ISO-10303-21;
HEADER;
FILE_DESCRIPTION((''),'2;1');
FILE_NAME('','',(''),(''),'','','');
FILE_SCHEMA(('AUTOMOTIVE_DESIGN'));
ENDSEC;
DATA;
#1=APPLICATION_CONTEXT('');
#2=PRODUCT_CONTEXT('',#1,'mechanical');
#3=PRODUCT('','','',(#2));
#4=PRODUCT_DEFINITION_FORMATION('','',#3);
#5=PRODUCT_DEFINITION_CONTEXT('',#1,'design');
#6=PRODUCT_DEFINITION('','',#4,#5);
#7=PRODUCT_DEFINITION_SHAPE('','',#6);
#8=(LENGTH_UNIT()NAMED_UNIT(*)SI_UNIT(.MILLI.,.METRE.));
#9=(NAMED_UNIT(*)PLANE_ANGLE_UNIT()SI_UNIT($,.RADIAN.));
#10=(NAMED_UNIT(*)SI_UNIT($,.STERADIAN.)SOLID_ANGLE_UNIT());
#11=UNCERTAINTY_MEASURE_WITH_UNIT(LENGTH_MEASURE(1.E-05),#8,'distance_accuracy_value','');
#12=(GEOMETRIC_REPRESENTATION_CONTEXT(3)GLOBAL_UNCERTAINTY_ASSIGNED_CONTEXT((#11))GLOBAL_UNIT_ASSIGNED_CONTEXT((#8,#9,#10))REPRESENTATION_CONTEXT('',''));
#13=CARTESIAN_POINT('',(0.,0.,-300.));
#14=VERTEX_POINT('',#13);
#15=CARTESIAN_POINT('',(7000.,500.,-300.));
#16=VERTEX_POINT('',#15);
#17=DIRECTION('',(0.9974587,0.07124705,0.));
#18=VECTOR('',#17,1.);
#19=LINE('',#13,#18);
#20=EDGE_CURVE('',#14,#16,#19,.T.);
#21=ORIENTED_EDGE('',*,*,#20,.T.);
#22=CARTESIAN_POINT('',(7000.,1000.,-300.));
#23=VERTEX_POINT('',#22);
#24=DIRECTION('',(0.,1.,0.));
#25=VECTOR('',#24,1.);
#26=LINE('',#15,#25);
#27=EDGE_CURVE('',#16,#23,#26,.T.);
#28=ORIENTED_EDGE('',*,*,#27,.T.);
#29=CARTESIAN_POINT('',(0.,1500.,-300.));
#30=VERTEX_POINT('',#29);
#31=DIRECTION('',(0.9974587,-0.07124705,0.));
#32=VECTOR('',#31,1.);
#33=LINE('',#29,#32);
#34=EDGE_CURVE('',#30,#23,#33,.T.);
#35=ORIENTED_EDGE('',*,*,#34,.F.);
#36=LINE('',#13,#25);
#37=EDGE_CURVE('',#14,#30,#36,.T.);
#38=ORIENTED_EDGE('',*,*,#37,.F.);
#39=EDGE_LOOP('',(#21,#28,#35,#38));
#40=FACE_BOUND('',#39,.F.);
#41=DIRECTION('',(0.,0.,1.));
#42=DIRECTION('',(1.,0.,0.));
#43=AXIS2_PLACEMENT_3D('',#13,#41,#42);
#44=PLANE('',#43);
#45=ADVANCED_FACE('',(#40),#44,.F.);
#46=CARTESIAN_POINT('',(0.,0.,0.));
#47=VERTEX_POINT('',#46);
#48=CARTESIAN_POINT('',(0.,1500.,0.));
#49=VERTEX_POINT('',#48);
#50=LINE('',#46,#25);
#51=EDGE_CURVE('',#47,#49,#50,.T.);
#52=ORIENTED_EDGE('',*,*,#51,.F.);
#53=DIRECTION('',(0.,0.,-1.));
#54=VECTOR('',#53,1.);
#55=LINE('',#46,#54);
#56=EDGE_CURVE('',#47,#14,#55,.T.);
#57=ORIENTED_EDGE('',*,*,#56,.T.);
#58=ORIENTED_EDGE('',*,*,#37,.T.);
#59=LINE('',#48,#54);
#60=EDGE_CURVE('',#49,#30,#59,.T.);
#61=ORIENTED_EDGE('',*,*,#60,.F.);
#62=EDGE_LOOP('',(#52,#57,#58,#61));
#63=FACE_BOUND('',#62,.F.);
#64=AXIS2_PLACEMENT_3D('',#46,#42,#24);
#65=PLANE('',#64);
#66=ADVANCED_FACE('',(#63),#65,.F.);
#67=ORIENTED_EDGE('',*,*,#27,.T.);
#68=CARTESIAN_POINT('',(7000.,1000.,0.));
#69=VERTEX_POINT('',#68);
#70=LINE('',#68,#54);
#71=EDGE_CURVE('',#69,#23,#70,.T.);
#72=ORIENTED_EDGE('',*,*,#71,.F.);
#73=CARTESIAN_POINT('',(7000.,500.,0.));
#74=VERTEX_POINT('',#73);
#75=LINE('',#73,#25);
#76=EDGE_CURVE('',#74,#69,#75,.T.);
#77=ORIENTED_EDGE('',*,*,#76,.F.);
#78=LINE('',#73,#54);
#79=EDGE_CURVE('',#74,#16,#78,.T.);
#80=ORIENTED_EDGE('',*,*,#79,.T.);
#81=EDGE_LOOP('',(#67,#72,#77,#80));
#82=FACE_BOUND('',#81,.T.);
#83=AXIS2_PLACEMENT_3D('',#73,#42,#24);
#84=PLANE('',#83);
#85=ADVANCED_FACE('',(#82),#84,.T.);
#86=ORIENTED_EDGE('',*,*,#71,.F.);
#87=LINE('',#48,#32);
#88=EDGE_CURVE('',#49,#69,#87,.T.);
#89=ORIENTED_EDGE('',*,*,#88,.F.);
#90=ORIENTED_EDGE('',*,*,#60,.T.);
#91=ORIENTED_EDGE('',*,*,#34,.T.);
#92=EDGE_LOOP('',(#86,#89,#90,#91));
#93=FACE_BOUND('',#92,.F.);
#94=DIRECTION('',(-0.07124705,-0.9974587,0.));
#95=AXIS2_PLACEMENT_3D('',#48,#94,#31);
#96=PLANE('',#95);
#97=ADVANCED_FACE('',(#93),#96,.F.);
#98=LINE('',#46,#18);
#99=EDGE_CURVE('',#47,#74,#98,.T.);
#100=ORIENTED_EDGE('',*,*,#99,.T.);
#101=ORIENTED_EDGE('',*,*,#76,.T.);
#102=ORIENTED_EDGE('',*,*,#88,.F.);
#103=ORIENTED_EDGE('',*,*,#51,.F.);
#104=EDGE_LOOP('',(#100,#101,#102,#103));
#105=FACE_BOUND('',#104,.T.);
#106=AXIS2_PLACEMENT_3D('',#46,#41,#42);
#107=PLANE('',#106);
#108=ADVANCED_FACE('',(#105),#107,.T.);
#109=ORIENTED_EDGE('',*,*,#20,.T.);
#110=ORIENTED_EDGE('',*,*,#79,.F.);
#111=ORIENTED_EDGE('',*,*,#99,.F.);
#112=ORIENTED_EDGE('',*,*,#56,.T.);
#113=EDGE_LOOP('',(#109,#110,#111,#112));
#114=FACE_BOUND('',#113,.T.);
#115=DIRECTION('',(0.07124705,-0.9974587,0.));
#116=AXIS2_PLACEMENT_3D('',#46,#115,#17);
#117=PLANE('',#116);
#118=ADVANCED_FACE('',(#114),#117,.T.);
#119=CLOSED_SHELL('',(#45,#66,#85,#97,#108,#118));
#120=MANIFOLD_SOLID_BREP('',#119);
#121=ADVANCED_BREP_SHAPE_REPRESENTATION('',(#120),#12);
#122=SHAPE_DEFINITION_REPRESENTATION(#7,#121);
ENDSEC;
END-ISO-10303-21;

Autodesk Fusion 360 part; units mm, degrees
sketch "Sketch1" plane through (0, 0, 0) normal (0, 0, 1) x (1, 0, 0)
  line L0 (0, 0) -> (0, 1500)
  line L1 (0, 1500) -> (7000, 1000)
  line L2 (0, 0) -> (7000, 500)
  line L3 (7000, 500) -> (7000, 1000)
extrude "Extrude1" add sketch "Sketch1" against normal blind 300
